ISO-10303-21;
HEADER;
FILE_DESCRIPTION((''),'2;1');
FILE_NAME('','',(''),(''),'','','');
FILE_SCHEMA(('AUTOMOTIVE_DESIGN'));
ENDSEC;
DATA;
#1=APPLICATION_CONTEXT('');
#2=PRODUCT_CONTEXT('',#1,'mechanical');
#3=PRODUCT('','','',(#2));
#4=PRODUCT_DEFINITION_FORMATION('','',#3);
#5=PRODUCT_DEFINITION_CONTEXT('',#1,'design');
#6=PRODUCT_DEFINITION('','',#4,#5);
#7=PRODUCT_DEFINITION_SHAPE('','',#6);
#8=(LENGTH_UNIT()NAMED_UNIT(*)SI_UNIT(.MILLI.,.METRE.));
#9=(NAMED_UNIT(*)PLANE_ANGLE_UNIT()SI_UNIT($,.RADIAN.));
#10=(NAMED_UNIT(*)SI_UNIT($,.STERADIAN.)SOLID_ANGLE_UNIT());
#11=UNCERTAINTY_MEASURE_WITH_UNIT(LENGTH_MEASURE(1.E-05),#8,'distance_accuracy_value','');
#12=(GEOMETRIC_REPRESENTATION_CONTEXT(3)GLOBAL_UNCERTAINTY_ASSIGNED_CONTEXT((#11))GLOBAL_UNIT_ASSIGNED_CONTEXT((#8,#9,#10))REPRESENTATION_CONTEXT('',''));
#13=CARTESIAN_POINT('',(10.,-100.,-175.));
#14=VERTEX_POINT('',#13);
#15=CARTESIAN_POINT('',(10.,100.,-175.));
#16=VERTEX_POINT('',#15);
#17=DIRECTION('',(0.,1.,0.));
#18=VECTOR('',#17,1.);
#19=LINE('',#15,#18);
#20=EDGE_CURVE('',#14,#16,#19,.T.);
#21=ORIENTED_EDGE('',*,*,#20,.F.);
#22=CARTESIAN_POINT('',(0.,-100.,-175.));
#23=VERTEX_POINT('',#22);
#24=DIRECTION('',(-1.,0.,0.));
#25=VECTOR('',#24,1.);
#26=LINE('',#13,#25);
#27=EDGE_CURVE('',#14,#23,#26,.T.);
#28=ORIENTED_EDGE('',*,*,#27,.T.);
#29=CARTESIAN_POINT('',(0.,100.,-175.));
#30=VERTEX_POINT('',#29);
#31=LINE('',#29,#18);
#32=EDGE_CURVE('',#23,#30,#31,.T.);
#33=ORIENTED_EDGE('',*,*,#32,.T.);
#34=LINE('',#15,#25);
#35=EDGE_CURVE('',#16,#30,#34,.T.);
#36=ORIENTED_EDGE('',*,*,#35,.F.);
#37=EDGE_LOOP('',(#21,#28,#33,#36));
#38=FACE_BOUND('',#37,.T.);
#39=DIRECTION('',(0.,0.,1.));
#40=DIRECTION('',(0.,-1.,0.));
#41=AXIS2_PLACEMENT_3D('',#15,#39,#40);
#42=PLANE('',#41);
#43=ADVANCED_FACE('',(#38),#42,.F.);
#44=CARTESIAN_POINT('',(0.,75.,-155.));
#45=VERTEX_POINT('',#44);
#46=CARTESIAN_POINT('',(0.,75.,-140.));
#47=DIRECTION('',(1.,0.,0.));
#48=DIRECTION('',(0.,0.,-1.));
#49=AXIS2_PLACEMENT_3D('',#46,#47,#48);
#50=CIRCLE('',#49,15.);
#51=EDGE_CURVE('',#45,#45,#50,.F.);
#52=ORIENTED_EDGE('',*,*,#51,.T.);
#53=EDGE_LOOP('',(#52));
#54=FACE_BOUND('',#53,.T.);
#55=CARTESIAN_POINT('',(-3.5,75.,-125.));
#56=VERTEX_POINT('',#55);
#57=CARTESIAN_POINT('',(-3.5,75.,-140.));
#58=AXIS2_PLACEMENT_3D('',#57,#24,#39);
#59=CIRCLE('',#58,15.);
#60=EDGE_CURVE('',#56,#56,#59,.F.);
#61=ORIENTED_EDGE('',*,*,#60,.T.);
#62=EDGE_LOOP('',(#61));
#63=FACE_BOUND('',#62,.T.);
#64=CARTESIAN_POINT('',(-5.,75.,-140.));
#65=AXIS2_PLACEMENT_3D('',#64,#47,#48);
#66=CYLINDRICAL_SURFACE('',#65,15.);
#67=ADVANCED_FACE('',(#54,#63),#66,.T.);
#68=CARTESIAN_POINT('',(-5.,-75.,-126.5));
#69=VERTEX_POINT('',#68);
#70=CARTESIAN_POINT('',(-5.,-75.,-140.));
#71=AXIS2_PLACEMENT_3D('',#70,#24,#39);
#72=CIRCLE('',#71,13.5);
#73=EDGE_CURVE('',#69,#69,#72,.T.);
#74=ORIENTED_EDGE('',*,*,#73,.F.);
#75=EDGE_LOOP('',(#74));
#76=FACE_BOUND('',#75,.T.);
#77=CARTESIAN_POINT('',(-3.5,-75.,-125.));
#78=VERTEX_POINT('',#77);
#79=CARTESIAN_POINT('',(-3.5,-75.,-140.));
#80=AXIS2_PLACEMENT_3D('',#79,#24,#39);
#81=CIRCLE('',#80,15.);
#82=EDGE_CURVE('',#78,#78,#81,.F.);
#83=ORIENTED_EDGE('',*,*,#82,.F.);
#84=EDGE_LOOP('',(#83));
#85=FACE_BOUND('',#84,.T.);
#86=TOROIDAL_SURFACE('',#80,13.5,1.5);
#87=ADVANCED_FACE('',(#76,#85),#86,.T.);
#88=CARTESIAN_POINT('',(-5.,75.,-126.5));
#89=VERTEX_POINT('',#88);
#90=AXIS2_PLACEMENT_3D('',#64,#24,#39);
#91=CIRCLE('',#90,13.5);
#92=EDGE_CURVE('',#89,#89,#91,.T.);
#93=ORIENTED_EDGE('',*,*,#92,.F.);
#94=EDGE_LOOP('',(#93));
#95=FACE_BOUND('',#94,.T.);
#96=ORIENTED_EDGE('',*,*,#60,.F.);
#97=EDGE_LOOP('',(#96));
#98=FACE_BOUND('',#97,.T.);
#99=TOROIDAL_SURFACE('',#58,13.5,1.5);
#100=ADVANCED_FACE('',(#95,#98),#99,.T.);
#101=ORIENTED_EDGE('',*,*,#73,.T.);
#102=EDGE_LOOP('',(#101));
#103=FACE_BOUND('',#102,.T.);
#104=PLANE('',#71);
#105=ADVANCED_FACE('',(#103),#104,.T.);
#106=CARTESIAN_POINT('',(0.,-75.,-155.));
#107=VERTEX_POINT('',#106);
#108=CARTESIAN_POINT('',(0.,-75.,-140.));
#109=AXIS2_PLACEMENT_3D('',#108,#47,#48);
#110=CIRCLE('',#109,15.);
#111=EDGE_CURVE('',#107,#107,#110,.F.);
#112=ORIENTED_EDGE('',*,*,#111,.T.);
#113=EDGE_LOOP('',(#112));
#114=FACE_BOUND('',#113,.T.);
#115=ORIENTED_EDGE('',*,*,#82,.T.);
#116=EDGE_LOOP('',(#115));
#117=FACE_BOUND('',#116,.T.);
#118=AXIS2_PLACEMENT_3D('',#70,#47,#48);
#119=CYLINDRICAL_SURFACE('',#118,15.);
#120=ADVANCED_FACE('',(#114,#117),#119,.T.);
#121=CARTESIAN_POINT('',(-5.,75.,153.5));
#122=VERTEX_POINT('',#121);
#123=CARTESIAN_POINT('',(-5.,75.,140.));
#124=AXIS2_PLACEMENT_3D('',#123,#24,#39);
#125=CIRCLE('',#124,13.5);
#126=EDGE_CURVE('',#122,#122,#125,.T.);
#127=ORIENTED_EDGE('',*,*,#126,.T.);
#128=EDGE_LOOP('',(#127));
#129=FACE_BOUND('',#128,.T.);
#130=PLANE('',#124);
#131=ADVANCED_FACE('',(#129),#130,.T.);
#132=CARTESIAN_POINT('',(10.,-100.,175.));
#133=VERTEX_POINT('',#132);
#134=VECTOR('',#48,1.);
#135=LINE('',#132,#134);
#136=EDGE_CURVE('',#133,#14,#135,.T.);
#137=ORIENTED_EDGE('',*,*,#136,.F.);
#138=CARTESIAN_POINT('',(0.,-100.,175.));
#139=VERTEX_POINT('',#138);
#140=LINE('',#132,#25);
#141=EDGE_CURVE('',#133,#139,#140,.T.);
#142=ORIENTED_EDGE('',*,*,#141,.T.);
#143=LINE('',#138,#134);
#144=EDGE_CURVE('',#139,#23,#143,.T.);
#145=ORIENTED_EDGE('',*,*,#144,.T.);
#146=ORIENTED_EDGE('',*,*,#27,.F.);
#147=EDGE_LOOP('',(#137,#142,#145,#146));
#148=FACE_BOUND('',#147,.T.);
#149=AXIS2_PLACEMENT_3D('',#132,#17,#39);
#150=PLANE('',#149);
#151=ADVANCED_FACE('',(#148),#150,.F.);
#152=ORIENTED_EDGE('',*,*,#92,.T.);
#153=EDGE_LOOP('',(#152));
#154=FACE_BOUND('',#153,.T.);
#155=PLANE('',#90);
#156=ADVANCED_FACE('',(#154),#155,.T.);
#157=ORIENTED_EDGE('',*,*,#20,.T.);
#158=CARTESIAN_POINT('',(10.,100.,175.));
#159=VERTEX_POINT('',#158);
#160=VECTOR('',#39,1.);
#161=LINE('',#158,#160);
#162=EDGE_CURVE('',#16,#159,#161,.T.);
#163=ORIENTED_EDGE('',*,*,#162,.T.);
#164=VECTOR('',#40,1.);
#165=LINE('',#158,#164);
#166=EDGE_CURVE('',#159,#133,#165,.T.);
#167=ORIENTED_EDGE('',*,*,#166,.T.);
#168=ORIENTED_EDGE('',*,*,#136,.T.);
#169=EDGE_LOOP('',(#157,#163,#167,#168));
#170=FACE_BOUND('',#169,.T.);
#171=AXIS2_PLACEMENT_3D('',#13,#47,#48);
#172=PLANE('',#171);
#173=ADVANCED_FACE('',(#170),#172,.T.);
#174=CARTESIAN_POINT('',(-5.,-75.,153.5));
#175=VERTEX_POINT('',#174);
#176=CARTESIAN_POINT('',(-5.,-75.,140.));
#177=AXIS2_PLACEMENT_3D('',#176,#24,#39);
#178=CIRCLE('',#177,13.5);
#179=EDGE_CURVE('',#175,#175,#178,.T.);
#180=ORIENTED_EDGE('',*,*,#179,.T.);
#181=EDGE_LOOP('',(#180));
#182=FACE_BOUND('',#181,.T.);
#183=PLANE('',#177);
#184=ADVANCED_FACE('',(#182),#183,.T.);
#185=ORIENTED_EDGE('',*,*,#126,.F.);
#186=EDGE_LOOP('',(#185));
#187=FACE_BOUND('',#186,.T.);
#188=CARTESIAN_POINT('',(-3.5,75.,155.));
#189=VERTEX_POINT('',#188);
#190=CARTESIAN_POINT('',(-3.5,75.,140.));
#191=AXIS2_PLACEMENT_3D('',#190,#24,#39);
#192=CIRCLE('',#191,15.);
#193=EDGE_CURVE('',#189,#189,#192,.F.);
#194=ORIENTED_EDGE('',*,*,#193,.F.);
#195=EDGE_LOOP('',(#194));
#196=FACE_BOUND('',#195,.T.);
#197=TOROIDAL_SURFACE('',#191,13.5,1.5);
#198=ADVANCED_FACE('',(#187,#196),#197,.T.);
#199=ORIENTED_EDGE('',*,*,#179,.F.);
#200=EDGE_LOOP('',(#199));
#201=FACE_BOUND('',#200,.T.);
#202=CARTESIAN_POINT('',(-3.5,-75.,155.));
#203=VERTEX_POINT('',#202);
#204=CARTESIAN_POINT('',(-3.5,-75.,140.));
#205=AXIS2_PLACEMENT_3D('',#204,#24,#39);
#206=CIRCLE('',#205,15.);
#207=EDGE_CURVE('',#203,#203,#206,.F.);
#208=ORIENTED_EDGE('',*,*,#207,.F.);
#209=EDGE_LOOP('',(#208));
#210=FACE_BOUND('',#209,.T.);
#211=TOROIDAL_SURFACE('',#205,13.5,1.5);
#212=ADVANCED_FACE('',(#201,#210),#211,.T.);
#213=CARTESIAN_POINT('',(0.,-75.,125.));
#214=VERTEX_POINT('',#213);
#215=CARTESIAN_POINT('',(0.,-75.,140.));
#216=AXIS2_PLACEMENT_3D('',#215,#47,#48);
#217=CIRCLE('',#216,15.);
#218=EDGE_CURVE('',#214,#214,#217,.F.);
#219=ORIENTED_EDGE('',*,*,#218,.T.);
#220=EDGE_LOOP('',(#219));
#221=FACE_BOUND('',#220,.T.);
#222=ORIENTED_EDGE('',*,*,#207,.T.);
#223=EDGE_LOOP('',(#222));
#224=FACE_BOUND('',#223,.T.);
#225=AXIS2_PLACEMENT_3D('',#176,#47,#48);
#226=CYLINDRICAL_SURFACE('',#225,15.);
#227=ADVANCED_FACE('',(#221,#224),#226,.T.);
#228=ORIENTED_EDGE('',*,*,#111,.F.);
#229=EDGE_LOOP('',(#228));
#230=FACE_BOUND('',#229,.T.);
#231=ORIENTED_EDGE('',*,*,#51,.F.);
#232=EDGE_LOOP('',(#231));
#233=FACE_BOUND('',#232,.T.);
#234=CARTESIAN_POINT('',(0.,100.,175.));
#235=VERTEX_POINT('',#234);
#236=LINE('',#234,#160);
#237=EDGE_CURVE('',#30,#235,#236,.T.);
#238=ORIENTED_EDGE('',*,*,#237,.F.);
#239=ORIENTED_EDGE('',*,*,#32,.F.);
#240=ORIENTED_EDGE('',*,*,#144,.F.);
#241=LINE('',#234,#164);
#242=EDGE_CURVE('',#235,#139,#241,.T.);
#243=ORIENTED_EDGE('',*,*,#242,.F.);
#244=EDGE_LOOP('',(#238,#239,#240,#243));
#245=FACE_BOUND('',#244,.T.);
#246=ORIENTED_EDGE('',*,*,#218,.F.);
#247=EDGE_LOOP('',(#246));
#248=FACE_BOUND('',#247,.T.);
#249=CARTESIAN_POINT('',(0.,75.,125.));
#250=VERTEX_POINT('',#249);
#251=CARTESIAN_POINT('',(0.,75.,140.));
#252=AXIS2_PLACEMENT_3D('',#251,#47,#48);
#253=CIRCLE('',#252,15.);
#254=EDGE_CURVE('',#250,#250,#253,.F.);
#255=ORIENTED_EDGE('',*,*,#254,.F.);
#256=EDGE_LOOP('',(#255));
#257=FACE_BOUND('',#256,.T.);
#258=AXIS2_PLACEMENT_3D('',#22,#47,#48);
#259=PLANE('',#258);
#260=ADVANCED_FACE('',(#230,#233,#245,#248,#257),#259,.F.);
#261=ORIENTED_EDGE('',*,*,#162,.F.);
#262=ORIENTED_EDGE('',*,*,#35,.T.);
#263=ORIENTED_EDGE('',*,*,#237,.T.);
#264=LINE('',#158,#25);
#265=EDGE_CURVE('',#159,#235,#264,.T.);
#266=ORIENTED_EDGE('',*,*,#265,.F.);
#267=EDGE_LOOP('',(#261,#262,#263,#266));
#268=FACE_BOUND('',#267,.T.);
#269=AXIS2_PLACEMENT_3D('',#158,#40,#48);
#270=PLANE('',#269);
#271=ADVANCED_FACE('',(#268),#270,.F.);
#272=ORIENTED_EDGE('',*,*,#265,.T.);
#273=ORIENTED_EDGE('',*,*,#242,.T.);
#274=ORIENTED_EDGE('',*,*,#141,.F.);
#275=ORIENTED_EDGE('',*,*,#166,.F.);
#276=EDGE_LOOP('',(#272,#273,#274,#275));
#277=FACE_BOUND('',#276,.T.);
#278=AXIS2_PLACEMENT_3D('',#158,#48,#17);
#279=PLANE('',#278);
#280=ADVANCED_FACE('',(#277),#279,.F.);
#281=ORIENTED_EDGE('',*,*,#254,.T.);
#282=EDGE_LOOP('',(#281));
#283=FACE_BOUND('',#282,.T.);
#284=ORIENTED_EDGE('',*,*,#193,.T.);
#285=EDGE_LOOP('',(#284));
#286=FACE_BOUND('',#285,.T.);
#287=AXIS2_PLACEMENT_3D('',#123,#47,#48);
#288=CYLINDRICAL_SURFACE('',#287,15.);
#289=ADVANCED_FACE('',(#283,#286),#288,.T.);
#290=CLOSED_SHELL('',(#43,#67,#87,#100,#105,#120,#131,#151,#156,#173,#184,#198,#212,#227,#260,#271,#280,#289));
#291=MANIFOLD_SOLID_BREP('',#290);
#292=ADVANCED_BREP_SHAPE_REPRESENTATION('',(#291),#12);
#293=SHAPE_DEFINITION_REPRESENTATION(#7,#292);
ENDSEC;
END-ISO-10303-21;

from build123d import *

# Parameters (mm, degrees)
SKICA1_W               = 350
SKICA1_H               = 200
VYSUNOUT1_DEPTH        = 10
SKICA2_R               = 15
VYSUNOUT2_DEPTH        = 5
ZAOBLIT1_R             = 1.5
LINPOLE1_COUNT         = 2
LINPOLE1_PITCH         = 280
LINPOLE1_COUNT_DIR2    = 2
LINPOLE1_PITCH_DIR2    = 150
ZAOBLIT1_OF_LINPOLE1_R = 1.5


with BuildPart() as part:
    # Skica1 → Vysunout1 (new body)
    with BuildSketch(Plane(origin=(0, 0, 0), x_dir=(0, 0, -1), z_dir=(1, 0, 0))):
        Rectangle(SKICA1_W, SKICA1_H)
    extrude(amount=VYSUNOUT1_DEPTH)

    # Skica2 → Vysunout2 (add)
    with BuildSketch(Plane.ZY):
        with Locations((-140, 75)):
            Circle(SKICA2_R)
    vysunout2 = extrude(amount=VYSUNOUT2_DEPTH)

    # Zaoblit1
    zaoblit1_edges = [part.edges().sort_by_distance(p)[0] for p in [
        (-5, 75, -155),
    ]]
    fillet(zaoblit1_edges, radius=ZAOBLIT1_R)

    # LinPole1: Vysunout2 2 × 2
    with Locations(*[(0, -j * LINPOLE1_PITCH_DIR2, i * LINPOLE1_PITCH) for i in range(LINPOLE1_COUNT) for j in range(LINPOLE1_COUNT_DIR2) if (i, j) != (0, 0)]):
        add(vysunout2)

    # Zaoblit1 of LinPole1
    zaoblit1_of_linpole1_edges = [part.edges().sort_by_distance(p)[0] for p in [
        (-5, -75, -155),
        (-5, 75, 125),
        (-5, -75, 125),
    ]]
    fillet(zaoblit1_of_linpole1_edges, radius=ZAOBLIT1_OF_LINPOLE1_R)


solid = part.part
